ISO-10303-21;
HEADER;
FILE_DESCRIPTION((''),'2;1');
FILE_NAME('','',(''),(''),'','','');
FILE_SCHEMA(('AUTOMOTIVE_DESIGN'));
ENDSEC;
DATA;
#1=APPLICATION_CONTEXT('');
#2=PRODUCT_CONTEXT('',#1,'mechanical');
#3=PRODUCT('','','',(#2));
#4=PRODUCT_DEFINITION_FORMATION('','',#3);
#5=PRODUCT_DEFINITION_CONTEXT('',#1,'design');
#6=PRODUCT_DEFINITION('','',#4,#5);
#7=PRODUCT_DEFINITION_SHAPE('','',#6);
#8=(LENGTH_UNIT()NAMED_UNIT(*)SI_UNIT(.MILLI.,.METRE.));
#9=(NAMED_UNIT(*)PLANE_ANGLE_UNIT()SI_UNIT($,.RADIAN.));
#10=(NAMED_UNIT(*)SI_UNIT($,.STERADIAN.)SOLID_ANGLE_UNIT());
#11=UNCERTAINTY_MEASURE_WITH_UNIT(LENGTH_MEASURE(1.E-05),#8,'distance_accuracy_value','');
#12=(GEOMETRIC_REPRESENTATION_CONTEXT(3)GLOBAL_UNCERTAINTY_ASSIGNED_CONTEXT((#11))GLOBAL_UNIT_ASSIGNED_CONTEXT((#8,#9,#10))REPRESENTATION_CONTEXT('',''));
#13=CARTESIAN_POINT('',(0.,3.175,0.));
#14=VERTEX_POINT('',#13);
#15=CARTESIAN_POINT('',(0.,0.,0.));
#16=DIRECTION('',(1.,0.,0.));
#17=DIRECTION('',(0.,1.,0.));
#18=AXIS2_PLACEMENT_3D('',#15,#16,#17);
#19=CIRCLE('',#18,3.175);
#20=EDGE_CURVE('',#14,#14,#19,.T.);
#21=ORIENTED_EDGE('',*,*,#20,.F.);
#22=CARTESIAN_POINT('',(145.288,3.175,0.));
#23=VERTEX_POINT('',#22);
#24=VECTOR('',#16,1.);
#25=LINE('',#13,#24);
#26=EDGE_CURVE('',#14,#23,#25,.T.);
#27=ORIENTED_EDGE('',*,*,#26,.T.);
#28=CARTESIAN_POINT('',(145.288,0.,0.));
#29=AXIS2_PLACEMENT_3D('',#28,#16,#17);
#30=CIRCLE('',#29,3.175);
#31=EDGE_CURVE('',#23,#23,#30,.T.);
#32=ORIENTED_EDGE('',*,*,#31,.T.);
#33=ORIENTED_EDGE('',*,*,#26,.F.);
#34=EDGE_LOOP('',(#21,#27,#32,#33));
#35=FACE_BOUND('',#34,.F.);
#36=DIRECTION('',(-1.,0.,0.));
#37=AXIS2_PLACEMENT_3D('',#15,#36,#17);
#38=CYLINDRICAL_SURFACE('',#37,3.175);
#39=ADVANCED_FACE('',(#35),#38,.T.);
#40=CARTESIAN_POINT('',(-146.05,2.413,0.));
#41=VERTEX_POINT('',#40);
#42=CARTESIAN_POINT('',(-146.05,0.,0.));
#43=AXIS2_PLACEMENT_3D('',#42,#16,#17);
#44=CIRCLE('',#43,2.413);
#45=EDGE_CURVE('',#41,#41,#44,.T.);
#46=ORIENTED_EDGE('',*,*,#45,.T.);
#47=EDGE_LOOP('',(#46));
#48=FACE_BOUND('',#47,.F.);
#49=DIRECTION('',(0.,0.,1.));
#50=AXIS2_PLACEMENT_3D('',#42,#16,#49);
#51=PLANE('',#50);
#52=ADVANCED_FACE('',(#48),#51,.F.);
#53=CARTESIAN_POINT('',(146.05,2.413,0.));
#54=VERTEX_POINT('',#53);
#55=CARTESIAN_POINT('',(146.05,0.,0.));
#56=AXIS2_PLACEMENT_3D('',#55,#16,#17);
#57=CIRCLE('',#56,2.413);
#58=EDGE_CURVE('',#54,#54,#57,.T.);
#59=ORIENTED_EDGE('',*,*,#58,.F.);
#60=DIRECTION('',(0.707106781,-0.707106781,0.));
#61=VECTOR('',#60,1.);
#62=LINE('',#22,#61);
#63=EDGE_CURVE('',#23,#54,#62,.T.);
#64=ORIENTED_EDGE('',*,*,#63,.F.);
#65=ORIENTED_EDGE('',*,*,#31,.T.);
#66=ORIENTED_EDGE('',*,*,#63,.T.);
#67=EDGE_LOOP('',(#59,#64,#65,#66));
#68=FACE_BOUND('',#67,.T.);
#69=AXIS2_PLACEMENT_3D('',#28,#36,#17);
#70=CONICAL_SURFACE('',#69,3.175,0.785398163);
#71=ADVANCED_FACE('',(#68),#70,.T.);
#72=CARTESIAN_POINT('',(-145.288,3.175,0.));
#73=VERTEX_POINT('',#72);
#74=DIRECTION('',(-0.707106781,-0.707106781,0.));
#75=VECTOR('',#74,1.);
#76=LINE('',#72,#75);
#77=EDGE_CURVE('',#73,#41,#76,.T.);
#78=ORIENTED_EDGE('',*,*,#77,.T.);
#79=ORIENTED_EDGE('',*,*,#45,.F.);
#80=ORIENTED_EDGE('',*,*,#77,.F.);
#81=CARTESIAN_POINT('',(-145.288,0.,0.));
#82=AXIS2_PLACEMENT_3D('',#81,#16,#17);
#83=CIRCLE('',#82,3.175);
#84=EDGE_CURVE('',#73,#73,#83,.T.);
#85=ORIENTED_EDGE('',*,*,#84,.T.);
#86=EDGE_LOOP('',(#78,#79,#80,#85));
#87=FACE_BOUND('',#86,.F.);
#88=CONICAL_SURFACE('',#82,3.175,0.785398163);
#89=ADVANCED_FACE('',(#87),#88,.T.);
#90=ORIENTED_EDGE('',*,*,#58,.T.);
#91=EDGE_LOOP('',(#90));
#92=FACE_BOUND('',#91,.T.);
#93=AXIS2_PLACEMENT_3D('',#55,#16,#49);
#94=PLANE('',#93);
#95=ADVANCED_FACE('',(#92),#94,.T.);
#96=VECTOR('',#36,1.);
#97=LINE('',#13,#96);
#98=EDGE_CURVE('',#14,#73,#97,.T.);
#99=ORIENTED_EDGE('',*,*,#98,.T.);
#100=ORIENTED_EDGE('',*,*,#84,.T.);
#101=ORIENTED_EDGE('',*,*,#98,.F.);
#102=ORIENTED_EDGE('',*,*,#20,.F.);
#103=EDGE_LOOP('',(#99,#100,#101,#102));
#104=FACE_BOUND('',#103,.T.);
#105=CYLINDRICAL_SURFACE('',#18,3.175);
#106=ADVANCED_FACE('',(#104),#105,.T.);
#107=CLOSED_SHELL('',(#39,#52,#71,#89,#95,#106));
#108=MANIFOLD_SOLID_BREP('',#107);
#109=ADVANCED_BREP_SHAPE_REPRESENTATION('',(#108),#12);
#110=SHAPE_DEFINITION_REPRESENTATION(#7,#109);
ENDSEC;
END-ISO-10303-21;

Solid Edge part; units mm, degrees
sketch "Sketch1" plane through (0, 0, 0) normal (1, 0, 0) x (0, 1, 0)
  circle A0 centre (0, 0) radius 3.175
  dimension "D1" = 6.35
extrude "Protrusion1" add sketch "Sketch1" along normal mid plane 292.1
chamfer "Chamfer_1" distance 0.762 angle 45 2 edges at (146.05, -3.175, 0) (-146.05, -3.175, 0)
hole "Hole_1" [suppressed]
hole "Hole_2" [suppressed]
properties part number "SR-02" material "Graphite"
